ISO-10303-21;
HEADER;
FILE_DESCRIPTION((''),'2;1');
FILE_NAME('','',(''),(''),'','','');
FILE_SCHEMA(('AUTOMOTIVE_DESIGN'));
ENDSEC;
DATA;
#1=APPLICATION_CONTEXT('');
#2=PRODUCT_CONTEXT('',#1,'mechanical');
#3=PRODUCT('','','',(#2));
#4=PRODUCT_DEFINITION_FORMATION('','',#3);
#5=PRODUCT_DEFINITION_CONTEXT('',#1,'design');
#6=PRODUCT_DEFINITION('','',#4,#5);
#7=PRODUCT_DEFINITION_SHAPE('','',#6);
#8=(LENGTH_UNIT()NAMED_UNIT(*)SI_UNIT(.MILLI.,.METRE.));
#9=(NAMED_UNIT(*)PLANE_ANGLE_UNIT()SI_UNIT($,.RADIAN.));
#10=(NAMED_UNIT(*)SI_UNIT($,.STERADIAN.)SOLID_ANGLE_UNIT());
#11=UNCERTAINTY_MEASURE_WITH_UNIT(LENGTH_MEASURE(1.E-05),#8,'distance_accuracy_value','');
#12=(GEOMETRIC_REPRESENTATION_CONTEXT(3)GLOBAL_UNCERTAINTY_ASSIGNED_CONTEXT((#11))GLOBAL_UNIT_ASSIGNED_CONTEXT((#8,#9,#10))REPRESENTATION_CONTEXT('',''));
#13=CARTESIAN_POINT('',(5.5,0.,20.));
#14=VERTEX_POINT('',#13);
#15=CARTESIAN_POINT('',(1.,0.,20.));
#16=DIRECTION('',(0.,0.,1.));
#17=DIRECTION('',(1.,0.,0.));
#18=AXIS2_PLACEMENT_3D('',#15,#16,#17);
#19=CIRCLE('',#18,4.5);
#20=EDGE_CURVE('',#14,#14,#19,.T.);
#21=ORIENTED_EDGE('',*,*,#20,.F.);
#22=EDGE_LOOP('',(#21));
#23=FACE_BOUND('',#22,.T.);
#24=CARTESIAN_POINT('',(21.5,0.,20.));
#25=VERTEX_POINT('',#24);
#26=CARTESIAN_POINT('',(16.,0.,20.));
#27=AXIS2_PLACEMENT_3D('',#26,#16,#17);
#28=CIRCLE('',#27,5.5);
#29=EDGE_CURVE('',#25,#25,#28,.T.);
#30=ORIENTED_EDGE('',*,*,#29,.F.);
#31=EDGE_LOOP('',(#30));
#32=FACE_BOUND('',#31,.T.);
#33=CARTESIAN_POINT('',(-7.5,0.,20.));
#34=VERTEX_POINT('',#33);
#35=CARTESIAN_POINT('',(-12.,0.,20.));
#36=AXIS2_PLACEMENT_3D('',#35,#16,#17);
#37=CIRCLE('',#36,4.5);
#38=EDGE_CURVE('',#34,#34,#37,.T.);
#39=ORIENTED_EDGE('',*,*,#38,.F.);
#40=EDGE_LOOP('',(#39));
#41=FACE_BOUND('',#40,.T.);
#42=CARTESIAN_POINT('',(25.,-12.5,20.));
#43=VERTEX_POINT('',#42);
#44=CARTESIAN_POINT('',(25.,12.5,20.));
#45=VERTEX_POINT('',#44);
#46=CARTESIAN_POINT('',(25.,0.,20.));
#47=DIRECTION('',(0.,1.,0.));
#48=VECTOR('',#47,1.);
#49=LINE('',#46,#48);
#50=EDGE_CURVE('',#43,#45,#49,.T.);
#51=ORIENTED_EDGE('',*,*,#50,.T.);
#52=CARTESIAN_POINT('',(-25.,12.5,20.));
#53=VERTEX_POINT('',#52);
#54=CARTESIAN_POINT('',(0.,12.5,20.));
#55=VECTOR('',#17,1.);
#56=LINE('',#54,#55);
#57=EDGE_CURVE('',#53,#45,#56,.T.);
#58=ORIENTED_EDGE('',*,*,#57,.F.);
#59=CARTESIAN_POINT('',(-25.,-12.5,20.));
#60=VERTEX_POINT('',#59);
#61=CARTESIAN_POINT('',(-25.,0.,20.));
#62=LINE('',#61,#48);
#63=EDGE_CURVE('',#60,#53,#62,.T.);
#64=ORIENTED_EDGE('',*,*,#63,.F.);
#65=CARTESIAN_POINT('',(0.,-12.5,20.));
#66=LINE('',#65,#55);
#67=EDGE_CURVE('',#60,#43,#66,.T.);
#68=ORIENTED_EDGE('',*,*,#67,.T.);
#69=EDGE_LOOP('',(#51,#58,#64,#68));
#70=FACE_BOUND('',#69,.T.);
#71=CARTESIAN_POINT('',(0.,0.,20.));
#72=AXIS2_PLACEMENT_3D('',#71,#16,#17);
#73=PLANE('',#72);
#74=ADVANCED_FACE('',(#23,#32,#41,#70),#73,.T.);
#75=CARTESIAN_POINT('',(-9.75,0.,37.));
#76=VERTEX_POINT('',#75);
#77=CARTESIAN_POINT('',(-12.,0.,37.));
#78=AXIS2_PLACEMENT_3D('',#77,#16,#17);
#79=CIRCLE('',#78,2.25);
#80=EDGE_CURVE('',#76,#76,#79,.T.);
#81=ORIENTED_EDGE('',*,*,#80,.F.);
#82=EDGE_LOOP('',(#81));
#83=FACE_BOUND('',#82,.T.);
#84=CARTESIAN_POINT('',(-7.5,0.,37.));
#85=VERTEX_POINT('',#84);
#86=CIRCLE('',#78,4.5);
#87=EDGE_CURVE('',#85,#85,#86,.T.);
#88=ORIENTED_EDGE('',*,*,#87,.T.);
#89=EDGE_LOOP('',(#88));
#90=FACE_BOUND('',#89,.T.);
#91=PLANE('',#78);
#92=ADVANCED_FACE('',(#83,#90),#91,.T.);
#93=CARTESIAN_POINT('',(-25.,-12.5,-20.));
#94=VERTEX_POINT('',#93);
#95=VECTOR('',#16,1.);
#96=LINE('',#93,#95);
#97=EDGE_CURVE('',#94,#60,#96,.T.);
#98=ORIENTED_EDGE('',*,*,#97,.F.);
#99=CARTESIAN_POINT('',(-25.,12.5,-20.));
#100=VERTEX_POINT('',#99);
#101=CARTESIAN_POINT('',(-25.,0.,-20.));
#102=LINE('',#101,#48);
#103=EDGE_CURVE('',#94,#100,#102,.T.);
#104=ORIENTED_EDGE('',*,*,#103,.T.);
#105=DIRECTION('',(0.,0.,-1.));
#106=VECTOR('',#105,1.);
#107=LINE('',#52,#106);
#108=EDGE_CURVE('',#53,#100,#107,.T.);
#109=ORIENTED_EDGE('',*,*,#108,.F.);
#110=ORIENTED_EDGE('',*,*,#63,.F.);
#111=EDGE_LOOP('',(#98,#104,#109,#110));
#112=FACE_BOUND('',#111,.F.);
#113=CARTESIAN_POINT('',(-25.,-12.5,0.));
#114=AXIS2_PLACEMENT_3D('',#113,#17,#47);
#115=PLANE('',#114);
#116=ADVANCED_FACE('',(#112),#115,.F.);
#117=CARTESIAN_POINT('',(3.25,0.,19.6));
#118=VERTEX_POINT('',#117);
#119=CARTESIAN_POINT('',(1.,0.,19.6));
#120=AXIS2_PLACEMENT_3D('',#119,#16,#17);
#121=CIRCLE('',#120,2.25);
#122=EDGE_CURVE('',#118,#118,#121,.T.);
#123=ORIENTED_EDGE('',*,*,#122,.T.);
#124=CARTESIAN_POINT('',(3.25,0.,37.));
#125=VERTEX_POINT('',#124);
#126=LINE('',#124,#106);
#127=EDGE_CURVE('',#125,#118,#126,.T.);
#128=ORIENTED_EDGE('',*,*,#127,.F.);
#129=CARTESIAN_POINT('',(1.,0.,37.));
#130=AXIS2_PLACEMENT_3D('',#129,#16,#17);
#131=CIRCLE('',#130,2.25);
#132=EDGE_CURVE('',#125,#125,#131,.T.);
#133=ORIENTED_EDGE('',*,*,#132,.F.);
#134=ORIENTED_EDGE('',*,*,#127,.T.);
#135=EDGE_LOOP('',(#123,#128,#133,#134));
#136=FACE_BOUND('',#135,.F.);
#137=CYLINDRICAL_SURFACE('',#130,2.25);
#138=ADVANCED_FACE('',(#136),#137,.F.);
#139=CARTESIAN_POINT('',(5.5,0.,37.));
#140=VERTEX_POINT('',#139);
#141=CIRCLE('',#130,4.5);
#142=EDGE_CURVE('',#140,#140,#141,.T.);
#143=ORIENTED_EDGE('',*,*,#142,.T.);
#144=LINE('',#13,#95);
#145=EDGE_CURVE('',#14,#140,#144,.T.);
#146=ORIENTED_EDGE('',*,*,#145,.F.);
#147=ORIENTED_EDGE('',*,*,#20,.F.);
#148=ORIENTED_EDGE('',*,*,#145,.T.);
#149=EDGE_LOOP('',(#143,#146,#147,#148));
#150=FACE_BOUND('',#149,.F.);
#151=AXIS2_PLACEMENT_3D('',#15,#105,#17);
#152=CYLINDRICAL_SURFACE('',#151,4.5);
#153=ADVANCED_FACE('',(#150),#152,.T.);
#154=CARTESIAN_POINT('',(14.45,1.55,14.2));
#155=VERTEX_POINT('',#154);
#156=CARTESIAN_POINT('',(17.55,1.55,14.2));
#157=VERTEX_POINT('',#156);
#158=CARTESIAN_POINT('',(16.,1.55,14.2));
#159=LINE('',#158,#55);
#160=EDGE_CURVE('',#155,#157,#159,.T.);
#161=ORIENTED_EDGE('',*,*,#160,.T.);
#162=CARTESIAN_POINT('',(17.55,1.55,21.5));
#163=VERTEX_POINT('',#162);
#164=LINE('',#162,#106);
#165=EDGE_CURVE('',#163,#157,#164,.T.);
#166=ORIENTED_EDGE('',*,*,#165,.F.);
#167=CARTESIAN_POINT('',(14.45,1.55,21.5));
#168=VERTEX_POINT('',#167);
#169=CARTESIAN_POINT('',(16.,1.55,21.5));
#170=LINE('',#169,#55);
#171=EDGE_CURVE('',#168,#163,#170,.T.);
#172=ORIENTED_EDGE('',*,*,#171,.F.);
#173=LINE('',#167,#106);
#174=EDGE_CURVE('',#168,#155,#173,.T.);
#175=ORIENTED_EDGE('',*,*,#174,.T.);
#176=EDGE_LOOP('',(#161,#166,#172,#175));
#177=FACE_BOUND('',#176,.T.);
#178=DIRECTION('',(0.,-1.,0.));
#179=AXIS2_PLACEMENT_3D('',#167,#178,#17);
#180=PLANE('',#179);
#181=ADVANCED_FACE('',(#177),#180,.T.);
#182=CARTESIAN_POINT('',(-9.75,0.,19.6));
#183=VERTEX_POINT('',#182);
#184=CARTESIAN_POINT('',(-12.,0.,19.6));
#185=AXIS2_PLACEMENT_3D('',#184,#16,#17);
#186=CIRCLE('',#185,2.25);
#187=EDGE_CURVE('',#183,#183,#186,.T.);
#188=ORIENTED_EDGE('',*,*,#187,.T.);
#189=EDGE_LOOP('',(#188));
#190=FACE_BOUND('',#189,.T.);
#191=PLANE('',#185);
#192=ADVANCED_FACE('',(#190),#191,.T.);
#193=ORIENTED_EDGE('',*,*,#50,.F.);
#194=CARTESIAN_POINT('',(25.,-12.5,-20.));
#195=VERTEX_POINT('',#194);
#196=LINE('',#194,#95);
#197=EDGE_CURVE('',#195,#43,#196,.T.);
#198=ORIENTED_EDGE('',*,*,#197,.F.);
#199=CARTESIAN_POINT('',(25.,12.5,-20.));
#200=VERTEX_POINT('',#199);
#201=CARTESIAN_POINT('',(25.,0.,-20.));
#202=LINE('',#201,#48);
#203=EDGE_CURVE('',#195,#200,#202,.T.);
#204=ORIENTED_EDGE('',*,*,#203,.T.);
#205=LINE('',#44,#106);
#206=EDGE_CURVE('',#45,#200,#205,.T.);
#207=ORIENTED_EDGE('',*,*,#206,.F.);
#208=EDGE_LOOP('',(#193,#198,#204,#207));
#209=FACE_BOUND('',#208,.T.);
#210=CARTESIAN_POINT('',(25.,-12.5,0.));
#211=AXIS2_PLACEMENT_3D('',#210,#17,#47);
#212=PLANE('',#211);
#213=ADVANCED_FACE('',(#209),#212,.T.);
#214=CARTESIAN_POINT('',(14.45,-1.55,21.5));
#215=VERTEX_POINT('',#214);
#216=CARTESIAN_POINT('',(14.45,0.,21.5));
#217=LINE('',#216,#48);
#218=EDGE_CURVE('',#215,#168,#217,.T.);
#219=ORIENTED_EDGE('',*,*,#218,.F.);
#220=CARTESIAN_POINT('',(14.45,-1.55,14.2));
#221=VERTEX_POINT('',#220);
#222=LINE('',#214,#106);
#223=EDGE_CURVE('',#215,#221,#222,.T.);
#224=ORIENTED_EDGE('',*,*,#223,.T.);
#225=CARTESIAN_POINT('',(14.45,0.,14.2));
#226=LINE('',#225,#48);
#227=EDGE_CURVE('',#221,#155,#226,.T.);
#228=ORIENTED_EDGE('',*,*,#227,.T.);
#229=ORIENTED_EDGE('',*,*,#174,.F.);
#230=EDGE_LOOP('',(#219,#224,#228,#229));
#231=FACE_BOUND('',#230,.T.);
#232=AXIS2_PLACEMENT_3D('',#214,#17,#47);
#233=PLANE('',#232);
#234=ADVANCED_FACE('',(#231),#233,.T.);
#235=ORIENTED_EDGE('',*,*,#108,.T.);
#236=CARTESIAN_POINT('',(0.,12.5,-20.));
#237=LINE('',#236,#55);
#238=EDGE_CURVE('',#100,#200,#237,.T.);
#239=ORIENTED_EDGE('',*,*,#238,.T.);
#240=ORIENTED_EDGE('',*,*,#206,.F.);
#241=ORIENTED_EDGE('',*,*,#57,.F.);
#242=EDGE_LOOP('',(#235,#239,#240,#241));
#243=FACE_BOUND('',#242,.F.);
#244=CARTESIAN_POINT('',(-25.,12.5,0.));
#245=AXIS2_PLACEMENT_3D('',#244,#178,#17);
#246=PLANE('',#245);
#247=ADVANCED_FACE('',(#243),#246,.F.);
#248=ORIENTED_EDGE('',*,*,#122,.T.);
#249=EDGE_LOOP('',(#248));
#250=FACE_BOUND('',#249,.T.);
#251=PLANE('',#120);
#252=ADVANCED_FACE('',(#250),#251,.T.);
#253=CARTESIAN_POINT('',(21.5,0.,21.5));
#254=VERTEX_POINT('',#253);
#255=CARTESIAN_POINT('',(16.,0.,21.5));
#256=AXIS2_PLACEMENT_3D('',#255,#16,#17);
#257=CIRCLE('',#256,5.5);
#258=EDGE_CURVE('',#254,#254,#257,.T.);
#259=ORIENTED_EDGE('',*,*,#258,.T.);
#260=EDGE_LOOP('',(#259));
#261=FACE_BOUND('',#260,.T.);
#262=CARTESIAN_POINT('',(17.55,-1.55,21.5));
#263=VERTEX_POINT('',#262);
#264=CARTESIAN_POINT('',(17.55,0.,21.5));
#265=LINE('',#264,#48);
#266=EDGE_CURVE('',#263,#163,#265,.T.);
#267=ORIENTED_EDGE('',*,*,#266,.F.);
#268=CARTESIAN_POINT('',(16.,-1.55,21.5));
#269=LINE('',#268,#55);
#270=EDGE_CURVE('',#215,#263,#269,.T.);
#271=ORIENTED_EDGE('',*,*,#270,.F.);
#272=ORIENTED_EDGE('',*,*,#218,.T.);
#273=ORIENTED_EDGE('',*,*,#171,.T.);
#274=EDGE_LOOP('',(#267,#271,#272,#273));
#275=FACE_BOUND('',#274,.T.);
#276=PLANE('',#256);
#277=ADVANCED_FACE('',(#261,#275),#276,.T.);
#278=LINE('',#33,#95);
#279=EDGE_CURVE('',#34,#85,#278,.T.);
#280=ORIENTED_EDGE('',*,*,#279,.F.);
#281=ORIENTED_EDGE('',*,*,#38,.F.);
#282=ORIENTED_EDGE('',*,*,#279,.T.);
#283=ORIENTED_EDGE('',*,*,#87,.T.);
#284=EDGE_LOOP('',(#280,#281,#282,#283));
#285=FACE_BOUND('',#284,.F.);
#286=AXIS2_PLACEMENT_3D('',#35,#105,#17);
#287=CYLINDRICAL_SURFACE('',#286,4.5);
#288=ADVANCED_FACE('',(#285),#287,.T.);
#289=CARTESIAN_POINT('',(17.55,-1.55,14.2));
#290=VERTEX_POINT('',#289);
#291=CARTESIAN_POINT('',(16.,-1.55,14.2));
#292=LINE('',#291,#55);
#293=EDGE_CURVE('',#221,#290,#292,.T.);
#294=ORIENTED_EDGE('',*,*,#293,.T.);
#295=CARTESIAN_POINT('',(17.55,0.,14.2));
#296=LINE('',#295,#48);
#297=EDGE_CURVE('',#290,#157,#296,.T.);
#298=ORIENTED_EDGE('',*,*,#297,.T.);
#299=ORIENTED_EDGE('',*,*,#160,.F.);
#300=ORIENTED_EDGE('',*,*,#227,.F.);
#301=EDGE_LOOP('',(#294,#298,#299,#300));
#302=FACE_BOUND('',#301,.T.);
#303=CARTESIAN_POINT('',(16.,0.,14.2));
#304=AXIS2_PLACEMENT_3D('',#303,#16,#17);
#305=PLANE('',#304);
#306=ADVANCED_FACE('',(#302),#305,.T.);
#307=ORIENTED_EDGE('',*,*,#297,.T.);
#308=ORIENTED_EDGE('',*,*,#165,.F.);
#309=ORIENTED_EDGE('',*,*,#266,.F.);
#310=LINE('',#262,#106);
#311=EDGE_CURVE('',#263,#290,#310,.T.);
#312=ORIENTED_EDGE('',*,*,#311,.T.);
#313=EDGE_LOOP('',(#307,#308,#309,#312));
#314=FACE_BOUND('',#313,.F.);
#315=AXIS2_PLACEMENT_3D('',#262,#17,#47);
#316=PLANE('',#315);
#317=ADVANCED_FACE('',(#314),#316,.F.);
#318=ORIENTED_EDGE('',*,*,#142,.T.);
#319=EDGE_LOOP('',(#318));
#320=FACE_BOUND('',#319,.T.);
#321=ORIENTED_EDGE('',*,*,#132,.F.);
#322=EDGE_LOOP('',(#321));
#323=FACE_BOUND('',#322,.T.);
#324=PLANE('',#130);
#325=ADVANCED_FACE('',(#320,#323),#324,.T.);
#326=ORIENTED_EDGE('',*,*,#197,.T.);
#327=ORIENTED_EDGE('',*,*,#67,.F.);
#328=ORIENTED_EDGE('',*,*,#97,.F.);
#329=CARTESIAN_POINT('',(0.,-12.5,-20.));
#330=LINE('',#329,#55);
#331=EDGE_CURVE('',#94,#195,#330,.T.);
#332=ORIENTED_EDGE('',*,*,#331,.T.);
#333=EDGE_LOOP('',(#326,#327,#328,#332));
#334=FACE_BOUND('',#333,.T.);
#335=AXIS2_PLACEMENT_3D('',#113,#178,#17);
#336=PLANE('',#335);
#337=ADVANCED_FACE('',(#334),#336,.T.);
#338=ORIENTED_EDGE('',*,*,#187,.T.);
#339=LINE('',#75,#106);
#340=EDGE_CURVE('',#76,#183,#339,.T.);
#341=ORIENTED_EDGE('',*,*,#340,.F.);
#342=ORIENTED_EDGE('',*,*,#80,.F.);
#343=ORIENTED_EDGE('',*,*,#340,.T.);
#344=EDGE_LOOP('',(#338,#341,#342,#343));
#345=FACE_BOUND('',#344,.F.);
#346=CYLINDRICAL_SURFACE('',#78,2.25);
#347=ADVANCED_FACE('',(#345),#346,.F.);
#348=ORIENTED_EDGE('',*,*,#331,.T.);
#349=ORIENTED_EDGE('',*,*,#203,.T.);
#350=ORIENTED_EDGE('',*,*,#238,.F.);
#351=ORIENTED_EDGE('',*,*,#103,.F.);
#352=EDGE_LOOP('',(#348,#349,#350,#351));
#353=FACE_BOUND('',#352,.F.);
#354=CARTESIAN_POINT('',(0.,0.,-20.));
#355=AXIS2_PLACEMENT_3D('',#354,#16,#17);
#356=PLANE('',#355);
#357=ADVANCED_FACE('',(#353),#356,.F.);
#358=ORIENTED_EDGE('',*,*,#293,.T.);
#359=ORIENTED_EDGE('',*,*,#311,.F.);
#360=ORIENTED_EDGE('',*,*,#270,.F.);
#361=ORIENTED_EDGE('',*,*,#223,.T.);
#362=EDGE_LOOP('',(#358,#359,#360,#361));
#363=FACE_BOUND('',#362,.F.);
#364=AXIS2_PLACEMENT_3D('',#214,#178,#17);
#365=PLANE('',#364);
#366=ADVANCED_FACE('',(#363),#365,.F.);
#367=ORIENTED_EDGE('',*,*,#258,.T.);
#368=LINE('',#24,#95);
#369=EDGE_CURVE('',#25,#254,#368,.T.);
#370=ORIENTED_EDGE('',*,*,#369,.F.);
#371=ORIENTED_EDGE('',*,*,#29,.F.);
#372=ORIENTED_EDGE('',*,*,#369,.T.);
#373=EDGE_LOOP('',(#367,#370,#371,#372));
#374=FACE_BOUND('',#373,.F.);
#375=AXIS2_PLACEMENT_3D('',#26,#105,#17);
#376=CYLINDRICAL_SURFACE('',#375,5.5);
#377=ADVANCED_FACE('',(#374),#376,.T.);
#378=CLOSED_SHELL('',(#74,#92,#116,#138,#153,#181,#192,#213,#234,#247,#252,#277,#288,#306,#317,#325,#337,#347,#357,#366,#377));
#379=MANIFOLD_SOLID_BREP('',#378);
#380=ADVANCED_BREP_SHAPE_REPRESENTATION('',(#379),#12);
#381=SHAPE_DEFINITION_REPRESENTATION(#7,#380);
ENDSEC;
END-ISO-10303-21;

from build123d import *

# Parameters (mm, degrees)
F0_W     = 50
F0_H     = 25
F1_DEPTH = 20
F2_R     = 5.5
F3_DEPTH = 1.5
F2_R_2   = 4.5
F4_DEPTH = 17
F5_W     = 3.1
F5_H     = 3.1
F6_DEPTH = 7.3
F7_R     = 2.25
F8_DEPTH = 17.4


with BuildPart() as f1:
    # F0 (on Top) → F1 (new body, symmetric)
    with BuildSketch(Plane.XY):
        Rectangle(F0_W, F0_H)
    extrude(amount=F1_DEPTH, both=True)

    # F2 (on face) → F3 (join)
    with BuildSketch(Plane.XY.offset(20)):
        with Locations((16, 0)):
            Circle(F2_R)
    extrude(amount=F3_DEPTH)

    # F2 (on face) → F4 (join)
    with BuildSketch(Plane.XY.offset(20)):
        with Locations((-12, 0)):
            Circle(F2_R_2)
        with Locations((1, 0)):
            Circle(F2_R_2)
    extrude(amount=F4_DEPTH)

    # F5 (on face) → F6 (cut)
    with BuildSketch(Plane.XY.offset(21.5)):
        with Locations((16, 0)):
            Rectangle(F5_W, F5_H)
    extrude(amount=-F6_DEPTH, mode=Mode.SUBTRACT)

    # F7 (on face) → F8 (cut)
    with BuildSketch(Plane.XY.offset(37)):
        with Locations((-12, 0)):
            Circle(F7_R)
        with Locations((1, 0)):
            Circle(F7_R)
    extrude(amount=-F8_DEPTH, mode=Mode.SUBTRACT)


solid = f1.part
